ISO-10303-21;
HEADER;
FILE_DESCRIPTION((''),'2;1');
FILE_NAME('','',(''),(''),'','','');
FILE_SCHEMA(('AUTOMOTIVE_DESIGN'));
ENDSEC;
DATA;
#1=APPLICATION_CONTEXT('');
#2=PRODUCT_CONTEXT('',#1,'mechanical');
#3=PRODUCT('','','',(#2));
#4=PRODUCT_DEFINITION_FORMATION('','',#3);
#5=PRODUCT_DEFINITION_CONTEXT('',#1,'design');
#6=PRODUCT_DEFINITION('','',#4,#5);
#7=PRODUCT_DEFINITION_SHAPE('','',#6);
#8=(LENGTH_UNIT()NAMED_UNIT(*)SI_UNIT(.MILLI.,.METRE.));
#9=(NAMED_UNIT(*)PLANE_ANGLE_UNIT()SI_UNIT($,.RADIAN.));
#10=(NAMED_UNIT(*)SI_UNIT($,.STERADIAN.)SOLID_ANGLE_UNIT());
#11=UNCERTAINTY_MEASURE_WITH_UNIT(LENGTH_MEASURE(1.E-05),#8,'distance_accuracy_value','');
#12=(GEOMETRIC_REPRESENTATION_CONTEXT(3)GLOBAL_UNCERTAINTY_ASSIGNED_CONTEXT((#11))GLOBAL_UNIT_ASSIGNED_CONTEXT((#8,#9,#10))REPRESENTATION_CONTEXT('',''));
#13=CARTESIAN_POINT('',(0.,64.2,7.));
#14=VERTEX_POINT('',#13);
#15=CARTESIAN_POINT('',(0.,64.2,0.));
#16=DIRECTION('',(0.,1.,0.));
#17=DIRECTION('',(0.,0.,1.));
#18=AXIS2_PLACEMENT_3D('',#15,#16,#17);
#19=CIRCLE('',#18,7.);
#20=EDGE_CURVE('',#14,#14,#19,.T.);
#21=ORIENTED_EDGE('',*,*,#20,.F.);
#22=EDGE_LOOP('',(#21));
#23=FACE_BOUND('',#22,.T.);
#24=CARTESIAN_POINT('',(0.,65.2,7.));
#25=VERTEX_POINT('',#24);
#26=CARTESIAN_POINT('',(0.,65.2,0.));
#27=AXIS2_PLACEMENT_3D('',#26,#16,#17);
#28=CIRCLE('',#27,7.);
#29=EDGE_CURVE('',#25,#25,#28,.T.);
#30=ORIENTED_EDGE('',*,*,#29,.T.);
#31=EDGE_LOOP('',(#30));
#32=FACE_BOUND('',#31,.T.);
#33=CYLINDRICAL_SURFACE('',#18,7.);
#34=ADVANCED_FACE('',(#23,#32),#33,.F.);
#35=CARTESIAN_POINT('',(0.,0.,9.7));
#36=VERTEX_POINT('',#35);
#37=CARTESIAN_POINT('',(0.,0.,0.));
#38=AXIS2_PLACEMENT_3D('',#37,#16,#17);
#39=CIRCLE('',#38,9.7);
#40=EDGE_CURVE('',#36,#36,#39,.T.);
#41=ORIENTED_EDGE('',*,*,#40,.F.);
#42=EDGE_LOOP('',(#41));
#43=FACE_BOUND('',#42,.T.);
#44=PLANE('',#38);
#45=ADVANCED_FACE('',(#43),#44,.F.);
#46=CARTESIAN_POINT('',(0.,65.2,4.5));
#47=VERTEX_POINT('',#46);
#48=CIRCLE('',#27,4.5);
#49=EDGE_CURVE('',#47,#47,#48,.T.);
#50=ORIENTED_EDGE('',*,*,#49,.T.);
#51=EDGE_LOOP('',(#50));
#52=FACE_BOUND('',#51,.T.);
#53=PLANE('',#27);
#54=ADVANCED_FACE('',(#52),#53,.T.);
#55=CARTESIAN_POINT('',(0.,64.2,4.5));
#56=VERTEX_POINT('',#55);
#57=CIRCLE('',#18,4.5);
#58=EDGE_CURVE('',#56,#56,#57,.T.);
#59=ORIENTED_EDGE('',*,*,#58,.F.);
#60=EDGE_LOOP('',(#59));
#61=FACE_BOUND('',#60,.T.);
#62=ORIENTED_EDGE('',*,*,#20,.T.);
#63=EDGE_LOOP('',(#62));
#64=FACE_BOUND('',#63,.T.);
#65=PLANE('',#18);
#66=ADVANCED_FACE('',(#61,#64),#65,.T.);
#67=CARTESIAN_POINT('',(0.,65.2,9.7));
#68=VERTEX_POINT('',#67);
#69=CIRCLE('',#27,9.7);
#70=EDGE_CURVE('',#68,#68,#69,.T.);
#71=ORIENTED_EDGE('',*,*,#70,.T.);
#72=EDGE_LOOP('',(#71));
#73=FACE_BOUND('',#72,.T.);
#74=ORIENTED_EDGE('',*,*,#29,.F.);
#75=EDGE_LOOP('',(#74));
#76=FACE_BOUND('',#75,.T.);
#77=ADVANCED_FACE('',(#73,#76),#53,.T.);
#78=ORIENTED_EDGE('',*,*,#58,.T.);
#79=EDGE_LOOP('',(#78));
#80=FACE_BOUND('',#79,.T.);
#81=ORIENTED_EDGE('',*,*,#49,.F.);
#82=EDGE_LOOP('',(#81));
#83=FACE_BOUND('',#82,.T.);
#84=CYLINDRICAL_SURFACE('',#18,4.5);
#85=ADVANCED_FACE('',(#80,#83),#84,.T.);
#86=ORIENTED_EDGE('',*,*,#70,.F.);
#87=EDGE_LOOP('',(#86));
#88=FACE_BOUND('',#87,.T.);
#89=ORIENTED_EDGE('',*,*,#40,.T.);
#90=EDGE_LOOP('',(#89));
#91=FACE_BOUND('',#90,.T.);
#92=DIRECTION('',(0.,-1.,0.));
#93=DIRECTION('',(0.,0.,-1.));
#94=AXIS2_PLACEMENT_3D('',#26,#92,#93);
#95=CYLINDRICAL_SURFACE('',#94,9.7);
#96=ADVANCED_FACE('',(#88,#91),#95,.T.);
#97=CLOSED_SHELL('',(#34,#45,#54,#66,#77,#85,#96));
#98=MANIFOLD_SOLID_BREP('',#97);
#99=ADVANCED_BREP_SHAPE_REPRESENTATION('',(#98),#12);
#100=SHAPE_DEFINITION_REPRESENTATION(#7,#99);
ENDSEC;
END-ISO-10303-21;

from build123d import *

# Parameters (mm, degrees)
SKETCH2_R           = 9.7
BOSS_EXTRUDE1_DEPTH = 65.2
SKETCH3_R           = 7
SKETCH3_R_2         = 4.5
CUT_EXTRUDE1_DEPTH  = 1


with BuildPart() as part:
    # Sketch2 → Boss-Extrude1 (new body)
    with BuildSketch(Plane(origin=(0, 0, 0), x_dir=(1, 0, 0), z_dir=(0, 1, 0))):
        Circle(SKETCH2_R)
    extrude(amount=BOSS_EXTRUDE1_DEPTH)

    # Sketch3 → Cut-Extrude1 (cut)
    with BuildSketch(Plane(origin=(0, 65.2, 0), x_dir=(1, 0, 0), z_dir=(0, 1, 0))):
        Circle(SKETCH3_R)
        Circle(SKETCH3_R_2, mode=Mode.SUBTRACT)
    extrude(amount=-CUT_EXTRUDE1_DEPTH, mode=Mode.SUBTRACT)


solid = part.part
